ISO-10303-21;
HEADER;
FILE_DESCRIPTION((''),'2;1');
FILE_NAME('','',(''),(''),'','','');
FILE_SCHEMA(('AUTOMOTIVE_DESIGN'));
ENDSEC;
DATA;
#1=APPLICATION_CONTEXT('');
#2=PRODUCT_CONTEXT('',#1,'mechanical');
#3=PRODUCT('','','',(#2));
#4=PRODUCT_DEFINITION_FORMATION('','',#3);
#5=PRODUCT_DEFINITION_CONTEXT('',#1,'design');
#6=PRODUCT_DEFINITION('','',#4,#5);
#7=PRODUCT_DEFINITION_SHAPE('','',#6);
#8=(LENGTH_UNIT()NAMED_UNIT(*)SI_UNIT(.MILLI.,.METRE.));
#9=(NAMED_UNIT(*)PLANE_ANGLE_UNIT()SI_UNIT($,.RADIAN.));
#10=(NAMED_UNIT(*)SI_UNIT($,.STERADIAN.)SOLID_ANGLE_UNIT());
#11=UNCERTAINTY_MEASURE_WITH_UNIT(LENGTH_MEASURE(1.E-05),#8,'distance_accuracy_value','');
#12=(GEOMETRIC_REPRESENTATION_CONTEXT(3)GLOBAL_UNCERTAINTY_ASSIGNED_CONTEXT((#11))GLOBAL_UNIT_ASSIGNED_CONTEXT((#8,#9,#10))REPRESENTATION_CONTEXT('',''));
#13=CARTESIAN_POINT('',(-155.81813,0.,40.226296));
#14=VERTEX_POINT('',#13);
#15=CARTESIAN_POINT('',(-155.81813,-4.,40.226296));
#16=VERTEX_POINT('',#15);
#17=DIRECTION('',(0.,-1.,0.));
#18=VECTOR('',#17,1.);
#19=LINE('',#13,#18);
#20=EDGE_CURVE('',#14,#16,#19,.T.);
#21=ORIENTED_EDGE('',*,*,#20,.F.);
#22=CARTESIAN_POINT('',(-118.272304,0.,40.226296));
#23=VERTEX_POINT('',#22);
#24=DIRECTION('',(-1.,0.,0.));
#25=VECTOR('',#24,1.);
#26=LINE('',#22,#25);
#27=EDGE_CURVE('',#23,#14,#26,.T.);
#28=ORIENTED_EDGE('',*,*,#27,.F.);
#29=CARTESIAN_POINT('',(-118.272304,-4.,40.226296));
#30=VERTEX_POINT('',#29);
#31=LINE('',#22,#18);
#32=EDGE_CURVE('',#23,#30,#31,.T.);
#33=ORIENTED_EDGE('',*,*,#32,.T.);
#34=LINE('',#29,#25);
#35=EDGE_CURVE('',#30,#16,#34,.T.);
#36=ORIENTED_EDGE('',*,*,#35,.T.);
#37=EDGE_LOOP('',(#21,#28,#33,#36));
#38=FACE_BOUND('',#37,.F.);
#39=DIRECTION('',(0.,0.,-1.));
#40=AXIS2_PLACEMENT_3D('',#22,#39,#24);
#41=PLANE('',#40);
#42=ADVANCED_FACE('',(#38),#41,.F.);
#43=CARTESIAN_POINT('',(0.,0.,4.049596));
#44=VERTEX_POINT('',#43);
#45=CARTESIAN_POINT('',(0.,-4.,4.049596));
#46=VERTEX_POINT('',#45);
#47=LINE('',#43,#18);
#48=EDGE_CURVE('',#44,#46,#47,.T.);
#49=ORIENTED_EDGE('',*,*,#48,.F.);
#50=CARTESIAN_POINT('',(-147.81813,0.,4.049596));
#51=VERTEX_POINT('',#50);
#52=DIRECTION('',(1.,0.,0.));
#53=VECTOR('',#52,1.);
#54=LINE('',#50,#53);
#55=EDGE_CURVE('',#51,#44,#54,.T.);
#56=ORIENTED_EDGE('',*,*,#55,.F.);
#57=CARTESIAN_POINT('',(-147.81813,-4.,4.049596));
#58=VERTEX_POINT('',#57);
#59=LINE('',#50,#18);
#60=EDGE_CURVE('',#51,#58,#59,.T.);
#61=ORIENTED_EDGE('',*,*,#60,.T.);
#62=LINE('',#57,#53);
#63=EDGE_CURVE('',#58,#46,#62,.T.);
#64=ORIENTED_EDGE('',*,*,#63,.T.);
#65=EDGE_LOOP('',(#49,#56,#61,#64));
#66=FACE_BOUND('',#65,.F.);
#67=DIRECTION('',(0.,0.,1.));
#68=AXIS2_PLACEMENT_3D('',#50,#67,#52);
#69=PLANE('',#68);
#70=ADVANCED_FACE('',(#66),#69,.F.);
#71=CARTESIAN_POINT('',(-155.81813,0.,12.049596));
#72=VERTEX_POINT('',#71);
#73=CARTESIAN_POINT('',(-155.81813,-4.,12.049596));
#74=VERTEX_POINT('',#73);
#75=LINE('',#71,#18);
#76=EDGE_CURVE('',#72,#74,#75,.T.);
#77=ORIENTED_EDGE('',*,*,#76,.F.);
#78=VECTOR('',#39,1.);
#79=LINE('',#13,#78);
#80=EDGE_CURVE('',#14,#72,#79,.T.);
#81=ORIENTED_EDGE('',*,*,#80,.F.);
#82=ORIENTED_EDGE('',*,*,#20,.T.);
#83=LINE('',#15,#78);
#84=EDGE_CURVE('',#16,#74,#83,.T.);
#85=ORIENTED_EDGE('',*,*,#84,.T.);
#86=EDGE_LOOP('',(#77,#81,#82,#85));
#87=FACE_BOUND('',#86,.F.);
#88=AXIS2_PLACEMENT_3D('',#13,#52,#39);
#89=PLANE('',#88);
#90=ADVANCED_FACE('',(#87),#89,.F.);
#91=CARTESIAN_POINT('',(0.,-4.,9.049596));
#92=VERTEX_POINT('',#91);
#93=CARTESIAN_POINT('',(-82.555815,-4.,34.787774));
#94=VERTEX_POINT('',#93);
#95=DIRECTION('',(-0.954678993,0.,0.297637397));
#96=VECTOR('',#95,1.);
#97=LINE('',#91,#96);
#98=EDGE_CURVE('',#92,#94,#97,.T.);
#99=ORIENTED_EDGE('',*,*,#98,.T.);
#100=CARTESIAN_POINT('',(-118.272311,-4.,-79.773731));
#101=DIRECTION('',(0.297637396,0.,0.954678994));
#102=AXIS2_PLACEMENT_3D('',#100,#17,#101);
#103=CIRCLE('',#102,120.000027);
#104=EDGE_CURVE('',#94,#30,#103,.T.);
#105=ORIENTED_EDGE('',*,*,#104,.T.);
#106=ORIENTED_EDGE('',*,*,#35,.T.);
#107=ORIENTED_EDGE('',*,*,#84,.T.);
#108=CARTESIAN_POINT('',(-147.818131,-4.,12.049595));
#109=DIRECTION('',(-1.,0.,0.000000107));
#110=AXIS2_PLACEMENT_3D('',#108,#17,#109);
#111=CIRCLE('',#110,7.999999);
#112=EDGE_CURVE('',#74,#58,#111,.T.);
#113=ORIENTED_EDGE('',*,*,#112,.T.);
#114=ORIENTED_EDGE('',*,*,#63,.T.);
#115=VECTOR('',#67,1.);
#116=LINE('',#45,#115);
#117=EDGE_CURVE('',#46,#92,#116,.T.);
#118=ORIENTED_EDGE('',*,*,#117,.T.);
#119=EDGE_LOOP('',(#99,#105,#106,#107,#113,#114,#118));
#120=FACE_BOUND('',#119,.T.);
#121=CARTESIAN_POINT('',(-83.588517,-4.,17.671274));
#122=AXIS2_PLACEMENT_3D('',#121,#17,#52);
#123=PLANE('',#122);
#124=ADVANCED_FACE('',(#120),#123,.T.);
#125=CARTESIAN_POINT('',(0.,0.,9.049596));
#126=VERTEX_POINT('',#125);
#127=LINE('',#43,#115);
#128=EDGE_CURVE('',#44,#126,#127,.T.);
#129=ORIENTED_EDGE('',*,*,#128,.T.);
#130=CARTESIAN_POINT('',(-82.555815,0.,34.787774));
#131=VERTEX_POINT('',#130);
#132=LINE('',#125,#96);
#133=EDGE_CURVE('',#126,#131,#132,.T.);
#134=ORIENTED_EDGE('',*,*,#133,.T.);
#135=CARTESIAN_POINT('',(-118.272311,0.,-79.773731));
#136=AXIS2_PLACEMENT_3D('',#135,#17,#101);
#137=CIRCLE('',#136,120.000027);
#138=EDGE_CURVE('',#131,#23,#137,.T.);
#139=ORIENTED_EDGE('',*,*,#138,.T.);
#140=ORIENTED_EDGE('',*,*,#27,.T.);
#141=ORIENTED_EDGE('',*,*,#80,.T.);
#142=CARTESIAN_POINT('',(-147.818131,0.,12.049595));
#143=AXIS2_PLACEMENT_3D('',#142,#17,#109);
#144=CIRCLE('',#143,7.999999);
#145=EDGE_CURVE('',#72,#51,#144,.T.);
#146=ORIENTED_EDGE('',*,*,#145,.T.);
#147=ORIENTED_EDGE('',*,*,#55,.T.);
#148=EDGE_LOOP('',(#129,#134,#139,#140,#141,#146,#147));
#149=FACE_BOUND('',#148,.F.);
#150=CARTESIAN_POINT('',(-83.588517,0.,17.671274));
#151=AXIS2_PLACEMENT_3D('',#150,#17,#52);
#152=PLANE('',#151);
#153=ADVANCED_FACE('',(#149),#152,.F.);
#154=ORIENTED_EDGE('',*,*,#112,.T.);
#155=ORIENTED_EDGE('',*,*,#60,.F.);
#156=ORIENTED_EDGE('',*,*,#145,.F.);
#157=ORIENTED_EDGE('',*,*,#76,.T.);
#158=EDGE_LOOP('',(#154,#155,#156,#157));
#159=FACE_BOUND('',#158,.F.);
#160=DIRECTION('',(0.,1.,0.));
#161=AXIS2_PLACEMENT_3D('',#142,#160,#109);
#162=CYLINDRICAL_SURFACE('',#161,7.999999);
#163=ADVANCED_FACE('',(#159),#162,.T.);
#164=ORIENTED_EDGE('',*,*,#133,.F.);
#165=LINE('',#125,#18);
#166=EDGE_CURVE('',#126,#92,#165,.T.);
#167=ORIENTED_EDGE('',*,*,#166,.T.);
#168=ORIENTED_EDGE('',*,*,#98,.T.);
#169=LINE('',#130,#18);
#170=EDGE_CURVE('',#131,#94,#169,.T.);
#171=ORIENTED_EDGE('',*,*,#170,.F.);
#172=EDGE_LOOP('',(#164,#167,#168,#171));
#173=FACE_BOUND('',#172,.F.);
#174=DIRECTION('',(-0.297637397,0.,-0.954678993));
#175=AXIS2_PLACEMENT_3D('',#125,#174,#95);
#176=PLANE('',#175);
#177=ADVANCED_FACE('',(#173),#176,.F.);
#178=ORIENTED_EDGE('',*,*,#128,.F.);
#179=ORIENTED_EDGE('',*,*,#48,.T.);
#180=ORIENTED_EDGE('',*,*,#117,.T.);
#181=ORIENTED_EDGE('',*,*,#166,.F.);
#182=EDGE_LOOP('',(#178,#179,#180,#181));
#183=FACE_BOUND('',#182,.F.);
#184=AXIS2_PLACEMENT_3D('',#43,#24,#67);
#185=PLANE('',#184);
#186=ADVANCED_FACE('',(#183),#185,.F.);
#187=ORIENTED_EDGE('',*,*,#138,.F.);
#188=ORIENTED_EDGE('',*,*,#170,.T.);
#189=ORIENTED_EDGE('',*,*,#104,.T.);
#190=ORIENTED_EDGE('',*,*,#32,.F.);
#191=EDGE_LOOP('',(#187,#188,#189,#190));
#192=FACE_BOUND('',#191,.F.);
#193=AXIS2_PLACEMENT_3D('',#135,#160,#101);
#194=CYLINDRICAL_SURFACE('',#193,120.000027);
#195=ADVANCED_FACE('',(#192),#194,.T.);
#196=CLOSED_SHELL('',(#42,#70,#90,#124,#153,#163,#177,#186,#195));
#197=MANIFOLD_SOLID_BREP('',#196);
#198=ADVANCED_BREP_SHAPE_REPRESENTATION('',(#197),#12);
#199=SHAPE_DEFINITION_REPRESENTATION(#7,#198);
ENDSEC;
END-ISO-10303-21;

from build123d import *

# Parameters (mm, degrees)
F1_DEPTH = 4


with BuildPart() as f1:
    # F0 (on Front) → F1 (new body)
    with BuildSketch(Plane.XZ):
        with BuildLine():
            Line((-118.272304, 40.226296), (-155.81813, 40.226296))
            Line((-155.81813, 40.226296), (-155.81813, 12.049596))
            ThreePointArc((-155.81813, 12.049596), (-153.474984, 6.392741), (-147.81813, 4.049596))
            Line((-147.81813, 4.049596), (0, 4.049596))
            Line((0, 4.049596), (0, 9.049596))
            Line((0, 9.049596), (-82.555815, 34.787774))
            ThreePointArc((-82.555815, 34.787774), (-100.208216, 38.858874), (-118.272304, 40.226296))
        make_face()
    extrude(amount=F1_DEPTH)


solid = f1.part
